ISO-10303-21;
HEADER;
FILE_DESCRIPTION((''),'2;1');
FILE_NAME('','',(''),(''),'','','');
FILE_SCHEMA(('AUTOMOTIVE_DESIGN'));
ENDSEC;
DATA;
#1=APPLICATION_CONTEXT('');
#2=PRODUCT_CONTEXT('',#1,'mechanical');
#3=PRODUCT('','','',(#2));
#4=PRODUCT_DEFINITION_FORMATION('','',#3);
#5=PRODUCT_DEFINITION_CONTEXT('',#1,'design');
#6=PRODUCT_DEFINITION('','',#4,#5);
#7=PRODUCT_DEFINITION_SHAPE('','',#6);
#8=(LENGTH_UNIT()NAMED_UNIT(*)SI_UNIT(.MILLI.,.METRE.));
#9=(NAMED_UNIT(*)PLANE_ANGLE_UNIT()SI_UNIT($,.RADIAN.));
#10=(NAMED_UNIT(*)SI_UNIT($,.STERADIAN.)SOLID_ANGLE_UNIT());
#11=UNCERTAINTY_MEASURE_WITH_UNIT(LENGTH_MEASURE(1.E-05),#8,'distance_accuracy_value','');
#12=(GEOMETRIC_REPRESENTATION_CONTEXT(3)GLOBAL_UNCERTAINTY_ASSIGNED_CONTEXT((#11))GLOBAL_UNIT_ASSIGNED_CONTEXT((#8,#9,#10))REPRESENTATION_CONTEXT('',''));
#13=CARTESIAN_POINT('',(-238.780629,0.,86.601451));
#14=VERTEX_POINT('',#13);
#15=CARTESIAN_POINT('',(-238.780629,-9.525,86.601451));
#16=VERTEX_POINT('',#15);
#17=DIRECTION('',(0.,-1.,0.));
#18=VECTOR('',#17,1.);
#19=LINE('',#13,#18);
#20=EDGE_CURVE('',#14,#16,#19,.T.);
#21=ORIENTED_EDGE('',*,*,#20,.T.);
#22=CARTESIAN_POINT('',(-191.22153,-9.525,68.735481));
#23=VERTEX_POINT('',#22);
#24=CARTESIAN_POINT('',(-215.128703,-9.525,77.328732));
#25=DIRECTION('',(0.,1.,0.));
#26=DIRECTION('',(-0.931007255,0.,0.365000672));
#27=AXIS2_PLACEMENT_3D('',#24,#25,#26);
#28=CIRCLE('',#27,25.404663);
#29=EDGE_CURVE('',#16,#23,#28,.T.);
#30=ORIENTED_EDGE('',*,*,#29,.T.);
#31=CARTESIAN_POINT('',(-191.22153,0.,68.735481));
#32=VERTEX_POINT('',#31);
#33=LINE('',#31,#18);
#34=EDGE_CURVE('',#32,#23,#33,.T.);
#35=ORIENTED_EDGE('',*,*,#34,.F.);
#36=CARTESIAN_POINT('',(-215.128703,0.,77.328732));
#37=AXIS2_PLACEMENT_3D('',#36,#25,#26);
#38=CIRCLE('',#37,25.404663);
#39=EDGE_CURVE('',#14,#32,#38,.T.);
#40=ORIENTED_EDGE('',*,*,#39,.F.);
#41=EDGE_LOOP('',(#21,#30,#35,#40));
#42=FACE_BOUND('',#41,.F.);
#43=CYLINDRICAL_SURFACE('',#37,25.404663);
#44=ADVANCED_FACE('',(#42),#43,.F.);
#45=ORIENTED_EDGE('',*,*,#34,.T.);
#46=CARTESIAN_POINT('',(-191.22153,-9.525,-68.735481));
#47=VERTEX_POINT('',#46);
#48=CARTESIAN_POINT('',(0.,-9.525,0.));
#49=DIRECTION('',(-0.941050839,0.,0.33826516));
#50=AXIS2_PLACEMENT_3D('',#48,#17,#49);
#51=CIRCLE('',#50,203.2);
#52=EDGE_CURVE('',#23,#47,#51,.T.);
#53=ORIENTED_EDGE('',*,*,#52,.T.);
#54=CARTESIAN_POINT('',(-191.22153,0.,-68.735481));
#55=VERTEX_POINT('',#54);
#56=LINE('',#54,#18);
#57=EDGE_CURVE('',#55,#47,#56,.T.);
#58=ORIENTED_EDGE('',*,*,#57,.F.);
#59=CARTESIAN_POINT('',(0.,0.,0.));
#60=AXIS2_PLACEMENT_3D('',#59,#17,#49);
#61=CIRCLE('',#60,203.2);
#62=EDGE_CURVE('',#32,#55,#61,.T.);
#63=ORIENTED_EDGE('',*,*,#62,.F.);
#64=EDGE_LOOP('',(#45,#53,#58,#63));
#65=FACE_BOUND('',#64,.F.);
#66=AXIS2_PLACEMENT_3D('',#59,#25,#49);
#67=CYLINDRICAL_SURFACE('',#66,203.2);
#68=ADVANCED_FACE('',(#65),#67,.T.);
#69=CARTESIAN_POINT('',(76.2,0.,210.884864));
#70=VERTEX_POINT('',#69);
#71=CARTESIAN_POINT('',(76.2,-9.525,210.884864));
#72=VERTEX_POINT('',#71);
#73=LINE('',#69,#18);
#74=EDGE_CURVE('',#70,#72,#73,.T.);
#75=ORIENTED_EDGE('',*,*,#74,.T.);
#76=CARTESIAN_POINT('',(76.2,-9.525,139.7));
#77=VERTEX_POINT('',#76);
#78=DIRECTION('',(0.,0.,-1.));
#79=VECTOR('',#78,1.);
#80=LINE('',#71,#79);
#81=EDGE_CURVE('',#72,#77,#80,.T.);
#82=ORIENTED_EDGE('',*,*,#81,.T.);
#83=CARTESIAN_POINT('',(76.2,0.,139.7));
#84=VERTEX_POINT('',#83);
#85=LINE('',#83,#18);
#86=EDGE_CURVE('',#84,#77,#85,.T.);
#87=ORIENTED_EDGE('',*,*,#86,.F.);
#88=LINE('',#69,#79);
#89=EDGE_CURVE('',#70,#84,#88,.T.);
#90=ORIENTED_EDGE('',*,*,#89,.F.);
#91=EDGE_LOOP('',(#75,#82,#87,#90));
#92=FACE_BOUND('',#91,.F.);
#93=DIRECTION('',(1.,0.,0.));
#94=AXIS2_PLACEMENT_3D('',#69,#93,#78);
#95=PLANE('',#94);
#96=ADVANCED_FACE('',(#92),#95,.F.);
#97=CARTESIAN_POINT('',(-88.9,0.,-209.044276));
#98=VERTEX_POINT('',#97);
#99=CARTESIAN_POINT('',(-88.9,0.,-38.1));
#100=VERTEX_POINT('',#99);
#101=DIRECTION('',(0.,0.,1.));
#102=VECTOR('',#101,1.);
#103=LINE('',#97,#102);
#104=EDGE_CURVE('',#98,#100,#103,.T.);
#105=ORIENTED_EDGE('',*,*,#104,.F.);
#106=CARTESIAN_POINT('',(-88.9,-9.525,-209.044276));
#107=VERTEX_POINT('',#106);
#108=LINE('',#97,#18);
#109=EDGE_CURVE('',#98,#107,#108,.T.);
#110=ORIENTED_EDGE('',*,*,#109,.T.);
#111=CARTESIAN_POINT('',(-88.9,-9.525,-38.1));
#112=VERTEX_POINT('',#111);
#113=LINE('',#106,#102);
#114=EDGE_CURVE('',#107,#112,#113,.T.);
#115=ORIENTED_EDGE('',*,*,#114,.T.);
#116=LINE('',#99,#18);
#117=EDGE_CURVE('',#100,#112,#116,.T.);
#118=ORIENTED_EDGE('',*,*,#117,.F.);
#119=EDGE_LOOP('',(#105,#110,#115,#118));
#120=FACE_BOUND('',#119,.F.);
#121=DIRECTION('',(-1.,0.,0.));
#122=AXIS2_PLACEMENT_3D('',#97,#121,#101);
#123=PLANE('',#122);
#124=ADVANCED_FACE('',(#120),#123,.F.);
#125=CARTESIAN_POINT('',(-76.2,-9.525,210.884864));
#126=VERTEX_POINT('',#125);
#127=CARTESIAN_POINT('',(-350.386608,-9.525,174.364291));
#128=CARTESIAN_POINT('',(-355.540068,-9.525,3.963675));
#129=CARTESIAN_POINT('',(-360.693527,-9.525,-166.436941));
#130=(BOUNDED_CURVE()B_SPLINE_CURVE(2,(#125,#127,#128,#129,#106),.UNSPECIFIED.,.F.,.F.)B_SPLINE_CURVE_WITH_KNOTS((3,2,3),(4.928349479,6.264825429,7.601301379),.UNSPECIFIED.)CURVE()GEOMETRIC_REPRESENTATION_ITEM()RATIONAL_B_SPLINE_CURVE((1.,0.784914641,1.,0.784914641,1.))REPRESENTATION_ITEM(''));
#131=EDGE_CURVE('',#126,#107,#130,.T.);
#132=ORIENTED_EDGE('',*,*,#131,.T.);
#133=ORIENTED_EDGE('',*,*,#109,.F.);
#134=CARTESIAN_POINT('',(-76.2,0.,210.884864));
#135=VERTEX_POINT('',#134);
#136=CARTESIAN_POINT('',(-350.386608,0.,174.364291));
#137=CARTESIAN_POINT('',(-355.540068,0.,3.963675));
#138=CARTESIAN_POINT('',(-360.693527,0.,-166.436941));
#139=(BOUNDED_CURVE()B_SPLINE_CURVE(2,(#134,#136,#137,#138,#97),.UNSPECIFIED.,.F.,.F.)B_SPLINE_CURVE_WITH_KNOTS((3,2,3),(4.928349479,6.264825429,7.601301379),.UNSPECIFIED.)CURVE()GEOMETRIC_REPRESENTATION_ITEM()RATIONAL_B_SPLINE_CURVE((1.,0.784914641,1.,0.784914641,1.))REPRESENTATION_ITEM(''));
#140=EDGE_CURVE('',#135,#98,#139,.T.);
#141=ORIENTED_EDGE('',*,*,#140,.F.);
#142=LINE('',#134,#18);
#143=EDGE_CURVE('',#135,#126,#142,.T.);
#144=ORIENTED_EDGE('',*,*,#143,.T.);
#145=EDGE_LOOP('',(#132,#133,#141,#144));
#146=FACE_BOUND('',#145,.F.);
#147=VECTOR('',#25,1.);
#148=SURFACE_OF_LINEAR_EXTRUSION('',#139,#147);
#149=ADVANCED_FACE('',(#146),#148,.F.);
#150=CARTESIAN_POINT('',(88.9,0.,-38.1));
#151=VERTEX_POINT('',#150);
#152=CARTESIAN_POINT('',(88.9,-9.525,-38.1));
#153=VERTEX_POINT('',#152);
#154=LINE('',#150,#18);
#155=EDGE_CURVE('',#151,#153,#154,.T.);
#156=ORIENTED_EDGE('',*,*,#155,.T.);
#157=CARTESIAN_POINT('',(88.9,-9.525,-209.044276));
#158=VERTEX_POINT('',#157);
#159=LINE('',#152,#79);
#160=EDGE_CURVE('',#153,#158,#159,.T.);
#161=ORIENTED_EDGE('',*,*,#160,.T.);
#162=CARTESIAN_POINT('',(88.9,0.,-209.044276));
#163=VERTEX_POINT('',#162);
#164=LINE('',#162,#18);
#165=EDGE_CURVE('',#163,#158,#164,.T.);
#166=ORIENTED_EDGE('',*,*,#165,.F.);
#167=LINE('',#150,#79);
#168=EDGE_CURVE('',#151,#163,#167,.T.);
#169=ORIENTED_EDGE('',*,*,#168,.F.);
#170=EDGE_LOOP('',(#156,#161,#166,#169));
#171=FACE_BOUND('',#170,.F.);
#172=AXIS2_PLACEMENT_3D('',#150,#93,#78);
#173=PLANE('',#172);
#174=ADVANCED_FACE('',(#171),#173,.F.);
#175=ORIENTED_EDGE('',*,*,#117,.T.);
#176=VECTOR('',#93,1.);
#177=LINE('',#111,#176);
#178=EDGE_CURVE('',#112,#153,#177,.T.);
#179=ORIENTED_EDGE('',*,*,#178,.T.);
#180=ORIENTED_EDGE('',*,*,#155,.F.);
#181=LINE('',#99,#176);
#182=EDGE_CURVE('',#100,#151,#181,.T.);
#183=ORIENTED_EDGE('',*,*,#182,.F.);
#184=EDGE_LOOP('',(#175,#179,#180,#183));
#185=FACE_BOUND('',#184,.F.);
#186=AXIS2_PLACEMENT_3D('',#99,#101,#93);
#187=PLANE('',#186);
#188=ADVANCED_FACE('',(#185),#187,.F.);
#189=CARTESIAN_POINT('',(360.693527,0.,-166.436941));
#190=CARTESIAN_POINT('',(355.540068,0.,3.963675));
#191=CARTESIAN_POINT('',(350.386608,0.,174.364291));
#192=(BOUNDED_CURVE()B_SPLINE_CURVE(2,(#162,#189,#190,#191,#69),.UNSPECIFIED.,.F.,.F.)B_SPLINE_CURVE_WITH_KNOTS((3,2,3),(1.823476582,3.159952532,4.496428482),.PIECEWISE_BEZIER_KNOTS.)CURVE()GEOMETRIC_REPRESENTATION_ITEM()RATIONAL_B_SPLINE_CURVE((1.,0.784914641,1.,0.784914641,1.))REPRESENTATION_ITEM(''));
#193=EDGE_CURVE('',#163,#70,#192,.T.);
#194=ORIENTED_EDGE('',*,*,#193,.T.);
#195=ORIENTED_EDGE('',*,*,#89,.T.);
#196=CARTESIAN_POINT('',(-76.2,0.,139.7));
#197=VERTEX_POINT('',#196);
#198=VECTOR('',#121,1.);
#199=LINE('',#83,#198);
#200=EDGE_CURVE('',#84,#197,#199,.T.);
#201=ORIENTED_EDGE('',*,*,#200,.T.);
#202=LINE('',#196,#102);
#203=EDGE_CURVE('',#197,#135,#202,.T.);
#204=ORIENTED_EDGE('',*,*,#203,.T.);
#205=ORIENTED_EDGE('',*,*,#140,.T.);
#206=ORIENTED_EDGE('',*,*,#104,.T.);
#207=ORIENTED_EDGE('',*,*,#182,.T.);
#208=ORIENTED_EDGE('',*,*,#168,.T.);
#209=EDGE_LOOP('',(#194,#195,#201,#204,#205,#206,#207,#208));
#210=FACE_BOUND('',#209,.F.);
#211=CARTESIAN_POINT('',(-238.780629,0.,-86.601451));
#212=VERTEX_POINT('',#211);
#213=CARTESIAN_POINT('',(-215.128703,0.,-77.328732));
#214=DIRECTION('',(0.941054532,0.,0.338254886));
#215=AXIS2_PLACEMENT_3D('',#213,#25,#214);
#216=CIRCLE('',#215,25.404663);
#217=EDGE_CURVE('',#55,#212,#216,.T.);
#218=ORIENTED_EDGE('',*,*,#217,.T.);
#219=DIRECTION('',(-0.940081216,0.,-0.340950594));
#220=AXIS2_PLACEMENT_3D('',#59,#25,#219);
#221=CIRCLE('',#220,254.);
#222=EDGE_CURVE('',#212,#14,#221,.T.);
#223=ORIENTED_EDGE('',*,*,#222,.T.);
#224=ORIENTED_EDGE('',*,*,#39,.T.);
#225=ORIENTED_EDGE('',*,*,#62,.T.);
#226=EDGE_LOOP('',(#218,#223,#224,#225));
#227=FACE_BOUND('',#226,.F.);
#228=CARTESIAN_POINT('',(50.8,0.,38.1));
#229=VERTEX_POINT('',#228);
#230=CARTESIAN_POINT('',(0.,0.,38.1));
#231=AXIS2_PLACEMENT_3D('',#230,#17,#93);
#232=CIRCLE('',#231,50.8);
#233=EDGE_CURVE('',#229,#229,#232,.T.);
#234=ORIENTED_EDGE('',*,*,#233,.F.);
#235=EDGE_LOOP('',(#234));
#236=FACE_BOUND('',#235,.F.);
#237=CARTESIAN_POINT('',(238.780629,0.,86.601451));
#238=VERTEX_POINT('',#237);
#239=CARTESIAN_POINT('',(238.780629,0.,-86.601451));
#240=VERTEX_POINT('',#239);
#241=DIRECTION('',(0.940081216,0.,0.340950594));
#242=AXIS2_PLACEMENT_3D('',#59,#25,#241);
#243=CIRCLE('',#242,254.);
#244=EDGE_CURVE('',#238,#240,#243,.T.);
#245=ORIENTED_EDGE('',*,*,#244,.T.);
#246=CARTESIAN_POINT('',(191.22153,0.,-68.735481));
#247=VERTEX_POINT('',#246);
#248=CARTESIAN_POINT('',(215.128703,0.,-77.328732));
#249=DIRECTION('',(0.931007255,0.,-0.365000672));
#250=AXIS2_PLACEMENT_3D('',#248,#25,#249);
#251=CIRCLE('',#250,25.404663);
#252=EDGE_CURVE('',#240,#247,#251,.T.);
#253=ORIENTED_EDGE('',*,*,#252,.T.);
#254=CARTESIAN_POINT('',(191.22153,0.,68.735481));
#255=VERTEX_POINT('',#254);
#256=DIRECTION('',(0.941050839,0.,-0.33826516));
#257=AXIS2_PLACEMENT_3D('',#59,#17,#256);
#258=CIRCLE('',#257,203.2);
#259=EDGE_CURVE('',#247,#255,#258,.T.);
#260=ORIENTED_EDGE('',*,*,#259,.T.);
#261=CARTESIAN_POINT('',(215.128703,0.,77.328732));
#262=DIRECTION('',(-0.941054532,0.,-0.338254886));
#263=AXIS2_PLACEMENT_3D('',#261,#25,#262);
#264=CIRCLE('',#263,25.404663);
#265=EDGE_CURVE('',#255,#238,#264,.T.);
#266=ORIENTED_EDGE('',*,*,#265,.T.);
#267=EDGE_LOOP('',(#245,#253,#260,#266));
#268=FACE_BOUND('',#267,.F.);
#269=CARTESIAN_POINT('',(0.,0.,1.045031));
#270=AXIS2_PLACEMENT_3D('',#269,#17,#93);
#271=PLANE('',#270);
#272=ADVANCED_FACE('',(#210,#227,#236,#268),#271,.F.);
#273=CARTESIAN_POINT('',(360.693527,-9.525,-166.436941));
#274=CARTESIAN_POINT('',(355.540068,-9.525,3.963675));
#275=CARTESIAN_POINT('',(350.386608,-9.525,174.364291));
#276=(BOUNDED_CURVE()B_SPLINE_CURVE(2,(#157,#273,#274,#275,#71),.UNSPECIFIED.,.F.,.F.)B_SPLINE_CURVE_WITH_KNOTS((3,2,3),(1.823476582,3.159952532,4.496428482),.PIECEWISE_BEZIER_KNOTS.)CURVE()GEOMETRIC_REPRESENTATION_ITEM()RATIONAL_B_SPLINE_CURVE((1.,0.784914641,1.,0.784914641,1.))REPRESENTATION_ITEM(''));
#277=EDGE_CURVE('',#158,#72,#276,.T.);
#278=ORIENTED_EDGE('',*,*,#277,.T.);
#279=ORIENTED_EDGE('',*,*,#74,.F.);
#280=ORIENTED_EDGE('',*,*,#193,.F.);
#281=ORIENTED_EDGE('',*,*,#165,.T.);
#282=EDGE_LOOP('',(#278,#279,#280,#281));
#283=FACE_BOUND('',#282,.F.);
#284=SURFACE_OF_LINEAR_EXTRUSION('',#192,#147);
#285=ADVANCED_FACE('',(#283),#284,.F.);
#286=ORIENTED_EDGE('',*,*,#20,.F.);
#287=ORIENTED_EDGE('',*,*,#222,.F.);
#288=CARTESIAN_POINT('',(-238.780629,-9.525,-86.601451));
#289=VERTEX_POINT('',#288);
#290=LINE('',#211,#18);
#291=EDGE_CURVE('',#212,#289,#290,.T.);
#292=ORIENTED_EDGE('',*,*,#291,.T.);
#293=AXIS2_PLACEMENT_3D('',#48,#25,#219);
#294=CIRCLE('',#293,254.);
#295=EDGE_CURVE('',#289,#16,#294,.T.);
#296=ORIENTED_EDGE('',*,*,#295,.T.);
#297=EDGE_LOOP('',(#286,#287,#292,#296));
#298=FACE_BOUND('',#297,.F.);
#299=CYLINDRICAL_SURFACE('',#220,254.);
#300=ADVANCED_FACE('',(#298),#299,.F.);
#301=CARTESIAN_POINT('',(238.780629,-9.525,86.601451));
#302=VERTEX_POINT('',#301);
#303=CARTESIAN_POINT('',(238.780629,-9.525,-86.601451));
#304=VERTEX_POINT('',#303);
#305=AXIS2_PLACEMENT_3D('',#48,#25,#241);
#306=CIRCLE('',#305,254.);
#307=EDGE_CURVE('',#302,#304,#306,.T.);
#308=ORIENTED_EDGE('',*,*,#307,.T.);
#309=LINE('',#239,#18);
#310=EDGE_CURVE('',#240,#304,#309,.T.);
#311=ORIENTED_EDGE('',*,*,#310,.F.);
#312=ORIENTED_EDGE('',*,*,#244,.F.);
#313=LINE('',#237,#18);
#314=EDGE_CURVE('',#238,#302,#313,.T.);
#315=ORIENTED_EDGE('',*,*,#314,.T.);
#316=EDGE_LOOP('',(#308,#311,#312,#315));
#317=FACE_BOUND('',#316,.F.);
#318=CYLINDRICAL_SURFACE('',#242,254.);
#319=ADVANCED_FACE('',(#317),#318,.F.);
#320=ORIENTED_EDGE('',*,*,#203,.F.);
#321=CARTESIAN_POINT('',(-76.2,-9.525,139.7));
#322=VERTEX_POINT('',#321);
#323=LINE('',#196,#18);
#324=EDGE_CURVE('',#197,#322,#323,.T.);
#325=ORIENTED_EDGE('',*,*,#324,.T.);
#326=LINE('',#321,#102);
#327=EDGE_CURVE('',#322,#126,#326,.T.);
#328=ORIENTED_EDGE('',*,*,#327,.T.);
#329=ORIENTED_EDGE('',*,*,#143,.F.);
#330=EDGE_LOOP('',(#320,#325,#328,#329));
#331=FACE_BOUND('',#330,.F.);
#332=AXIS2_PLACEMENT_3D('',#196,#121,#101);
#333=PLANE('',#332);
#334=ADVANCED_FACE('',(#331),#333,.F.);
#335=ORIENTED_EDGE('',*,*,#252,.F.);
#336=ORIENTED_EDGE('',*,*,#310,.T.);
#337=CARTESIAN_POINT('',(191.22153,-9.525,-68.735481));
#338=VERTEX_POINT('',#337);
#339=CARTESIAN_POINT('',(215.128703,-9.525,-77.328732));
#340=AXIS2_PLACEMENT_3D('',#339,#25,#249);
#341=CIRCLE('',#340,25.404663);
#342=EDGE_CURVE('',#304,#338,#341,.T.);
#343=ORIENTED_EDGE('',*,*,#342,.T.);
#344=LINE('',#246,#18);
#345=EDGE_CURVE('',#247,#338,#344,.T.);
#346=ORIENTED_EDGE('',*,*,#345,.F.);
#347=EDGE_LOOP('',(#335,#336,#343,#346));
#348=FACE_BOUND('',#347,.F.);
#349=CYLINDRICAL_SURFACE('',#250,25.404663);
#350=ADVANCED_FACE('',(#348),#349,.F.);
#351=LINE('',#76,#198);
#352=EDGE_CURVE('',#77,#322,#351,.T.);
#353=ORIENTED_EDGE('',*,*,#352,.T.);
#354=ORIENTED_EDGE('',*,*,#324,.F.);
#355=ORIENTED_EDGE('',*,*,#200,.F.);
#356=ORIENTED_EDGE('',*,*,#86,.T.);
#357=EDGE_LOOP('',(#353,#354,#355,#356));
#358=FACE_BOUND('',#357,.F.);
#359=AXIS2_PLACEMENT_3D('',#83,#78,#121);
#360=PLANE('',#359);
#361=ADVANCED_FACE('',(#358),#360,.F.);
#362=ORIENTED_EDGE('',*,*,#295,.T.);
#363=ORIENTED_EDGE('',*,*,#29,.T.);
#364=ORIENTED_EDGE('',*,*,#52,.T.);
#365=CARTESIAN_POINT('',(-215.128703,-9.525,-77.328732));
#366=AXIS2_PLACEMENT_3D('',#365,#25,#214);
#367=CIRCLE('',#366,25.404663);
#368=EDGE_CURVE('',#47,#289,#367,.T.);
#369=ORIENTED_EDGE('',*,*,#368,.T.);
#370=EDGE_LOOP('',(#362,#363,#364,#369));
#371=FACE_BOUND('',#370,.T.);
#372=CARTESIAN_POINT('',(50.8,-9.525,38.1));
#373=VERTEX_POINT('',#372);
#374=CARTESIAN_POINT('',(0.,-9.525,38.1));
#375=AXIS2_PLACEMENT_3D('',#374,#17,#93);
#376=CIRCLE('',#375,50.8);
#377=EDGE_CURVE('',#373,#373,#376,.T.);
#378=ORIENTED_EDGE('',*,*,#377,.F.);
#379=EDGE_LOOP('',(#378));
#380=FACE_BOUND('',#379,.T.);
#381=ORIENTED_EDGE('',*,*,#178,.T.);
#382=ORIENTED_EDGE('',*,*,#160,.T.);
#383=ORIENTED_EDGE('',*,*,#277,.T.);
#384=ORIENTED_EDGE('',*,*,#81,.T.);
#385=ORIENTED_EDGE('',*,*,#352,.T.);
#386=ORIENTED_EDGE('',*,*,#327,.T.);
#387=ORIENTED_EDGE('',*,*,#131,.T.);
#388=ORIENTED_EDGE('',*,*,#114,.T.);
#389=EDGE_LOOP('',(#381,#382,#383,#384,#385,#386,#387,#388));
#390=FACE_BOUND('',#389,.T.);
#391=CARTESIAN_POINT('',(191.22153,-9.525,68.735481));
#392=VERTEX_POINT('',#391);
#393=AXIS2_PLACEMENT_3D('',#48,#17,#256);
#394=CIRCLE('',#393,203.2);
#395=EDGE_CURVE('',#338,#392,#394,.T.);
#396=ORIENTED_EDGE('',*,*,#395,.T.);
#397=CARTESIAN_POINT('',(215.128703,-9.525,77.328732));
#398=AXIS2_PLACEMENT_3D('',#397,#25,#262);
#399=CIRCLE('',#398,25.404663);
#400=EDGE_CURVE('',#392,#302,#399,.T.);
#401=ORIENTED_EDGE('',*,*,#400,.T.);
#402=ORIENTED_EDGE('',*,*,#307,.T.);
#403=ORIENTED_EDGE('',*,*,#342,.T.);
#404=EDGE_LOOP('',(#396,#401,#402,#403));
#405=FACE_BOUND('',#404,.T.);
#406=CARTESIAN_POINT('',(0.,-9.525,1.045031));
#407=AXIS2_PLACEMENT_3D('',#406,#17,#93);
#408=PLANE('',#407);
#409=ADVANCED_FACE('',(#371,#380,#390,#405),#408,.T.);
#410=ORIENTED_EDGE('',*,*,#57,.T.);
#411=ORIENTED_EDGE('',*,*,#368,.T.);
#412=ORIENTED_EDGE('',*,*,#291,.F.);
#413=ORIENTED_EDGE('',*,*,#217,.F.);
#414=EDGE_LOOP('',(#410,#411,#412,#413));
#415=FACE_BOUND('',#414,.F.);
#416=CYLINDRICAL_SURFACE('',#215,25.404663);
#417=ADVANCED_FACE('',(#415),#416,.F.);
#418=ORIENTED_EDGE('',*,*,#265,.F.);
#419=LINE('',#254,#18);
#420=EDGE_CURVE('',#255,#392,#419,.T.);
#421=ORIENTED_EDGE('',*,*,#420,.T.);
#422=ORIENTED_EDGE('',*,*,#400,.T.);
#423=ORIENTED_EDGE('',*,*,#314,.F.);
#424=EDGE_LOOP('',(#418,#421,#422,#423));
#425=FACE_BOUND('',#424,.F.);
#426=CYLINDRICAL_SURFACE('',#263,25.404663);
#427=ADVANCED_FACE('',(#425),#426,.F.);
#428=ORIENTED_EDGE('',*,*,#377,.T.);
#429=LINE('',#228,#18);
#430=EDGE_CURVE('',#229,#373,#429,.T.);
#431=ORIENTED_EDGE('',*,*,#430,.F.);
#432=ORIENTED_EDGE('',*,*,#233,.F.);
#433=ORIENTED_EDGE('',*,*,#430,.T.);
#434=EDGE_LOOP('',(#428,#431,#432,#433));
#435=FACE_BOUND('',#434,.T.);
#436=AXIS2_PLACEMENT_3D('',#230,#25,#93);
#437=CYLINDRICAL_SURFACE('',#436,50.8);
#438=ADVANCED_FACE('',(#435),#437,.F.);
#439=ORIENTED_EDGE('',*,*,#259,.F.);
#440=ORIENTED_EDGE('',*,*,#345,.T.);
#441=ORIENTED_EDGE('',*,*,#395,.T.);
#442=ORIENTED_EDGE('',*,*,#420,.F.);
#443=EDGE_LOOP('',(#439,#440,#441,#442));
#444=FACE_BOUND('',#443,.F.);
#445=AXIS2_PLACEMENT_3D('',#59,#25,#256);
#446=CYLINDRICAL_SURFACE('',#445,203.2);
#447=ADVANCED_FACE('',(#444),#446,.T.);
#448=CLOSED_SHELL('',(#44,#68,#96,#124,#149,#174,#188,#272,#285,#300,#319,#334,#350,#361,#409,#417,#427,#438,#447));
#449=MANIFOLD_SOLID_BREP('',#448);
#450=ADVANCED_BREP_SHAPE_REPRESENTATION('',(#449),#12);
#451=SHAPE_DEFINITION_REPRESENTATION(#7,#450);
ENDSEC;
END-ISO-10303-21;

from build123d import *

# Parameters (mm, degrees)
F0_R     = 50.8
F1_DEPTH = 9.525


with BuildPart() as f1:
    # F0 (on Front) → F1 (new body)
    with BuildSketch(Plane.XZ):
        with BuildLine():
            Line((-76.2, 139.7), (-76.2, 210.8848640072))
            add(Edge.make_bspline(
                [(-76.2, 210.8848640072), (-350.3866084273, 174.3642911637), (-355.5400679477, 3.9636750181), (-360.6935274681, -166.4369411274), (-88.9, -209.0442761115)],
                knots=[4.9283494791, 4.9283494791, 4.9283494791, 6.264825429, 6.264825429, 7.6013013788, 7.6013013788, 7.6013013788], degree=2, weights=[1, 0.7849146414, 1, 0.7849146414, 1]))
            Line((-88.9, -209.0442761115), (-88.9, -38.1))
            Line((-88.9, -38.1), (88.9, -38.1))
            Line((88.9, -38.1), (88.9, -209.0442761115))
            add(Edge.make_bspline(
                [(88.9, -209.0442761115), (360.6935274681, -166.4369411274), (355.5400679477, 3.9636750181), (350.3866084273, 174.3642911637), (76.2, 210.8848640072)],
                knots=[1.8234765819, 1.8234765819, 1.8234765819, 3.1599525318, 3.1599525318, 4.4964284817, 4.4964284817, 4.4964284817], degree=2, weights=[1, 0.7849146414, 1, 0.7849146414, 1]))
            Line((76.2, 210.8848640072), (76.2, 139.7))
            Line((76.2, 139.7), (-76.2, 139.7))
        make_face()
        with BuildLine():
            ThreePointArc((-238.7806288296, -86.601450887), (-254, 0), (-238.7806288296, 86.601450887))
            ThreePointArc((-238.7806288296, 86.601450887), (-206.1948067036, 101.1107078148), (-191.2215304553, 68.7354805783))
            ThreePointArc((-191.2215304553, 68.7354805783), (-203.2, 0), (-191.2215304553, -68.7354805783))
            ThreePointArc((-191.2215304553, -68.7354805783), (-206.1948067036, -101.1107078148), (-238.7806288296, -86.601450887))
        make_face(mode=Mode.SUBTRACT)
        with BuildLine():
            ThreePointArc((238.7806288296, -86.601450887), (206.1948067036, -101.1107078148), (191.2215304553, -68.7354805783))
            ThreePointArc((191.2215304553, -68.7354805783), (203.2, 0), (191.2215304553, 68.7354805783))
            ThreePointArc((191.2215304553, 68.7354805783), (206.1948067036, 101.1107078148), (238.7806288296, 86.601450887))
            ThreePointArc((238.7806288296, 86.601450887), (254, 0), (238.7806288296, -86.601450887))
        make_face(mode=Mode.SUBTRACT)
        with Locations((0, 38.1)):
            Circle(F0_R, mode=Mode.SUBTRACT)
    extrude(amount=F1_DEPTH)


solid = f1.part
